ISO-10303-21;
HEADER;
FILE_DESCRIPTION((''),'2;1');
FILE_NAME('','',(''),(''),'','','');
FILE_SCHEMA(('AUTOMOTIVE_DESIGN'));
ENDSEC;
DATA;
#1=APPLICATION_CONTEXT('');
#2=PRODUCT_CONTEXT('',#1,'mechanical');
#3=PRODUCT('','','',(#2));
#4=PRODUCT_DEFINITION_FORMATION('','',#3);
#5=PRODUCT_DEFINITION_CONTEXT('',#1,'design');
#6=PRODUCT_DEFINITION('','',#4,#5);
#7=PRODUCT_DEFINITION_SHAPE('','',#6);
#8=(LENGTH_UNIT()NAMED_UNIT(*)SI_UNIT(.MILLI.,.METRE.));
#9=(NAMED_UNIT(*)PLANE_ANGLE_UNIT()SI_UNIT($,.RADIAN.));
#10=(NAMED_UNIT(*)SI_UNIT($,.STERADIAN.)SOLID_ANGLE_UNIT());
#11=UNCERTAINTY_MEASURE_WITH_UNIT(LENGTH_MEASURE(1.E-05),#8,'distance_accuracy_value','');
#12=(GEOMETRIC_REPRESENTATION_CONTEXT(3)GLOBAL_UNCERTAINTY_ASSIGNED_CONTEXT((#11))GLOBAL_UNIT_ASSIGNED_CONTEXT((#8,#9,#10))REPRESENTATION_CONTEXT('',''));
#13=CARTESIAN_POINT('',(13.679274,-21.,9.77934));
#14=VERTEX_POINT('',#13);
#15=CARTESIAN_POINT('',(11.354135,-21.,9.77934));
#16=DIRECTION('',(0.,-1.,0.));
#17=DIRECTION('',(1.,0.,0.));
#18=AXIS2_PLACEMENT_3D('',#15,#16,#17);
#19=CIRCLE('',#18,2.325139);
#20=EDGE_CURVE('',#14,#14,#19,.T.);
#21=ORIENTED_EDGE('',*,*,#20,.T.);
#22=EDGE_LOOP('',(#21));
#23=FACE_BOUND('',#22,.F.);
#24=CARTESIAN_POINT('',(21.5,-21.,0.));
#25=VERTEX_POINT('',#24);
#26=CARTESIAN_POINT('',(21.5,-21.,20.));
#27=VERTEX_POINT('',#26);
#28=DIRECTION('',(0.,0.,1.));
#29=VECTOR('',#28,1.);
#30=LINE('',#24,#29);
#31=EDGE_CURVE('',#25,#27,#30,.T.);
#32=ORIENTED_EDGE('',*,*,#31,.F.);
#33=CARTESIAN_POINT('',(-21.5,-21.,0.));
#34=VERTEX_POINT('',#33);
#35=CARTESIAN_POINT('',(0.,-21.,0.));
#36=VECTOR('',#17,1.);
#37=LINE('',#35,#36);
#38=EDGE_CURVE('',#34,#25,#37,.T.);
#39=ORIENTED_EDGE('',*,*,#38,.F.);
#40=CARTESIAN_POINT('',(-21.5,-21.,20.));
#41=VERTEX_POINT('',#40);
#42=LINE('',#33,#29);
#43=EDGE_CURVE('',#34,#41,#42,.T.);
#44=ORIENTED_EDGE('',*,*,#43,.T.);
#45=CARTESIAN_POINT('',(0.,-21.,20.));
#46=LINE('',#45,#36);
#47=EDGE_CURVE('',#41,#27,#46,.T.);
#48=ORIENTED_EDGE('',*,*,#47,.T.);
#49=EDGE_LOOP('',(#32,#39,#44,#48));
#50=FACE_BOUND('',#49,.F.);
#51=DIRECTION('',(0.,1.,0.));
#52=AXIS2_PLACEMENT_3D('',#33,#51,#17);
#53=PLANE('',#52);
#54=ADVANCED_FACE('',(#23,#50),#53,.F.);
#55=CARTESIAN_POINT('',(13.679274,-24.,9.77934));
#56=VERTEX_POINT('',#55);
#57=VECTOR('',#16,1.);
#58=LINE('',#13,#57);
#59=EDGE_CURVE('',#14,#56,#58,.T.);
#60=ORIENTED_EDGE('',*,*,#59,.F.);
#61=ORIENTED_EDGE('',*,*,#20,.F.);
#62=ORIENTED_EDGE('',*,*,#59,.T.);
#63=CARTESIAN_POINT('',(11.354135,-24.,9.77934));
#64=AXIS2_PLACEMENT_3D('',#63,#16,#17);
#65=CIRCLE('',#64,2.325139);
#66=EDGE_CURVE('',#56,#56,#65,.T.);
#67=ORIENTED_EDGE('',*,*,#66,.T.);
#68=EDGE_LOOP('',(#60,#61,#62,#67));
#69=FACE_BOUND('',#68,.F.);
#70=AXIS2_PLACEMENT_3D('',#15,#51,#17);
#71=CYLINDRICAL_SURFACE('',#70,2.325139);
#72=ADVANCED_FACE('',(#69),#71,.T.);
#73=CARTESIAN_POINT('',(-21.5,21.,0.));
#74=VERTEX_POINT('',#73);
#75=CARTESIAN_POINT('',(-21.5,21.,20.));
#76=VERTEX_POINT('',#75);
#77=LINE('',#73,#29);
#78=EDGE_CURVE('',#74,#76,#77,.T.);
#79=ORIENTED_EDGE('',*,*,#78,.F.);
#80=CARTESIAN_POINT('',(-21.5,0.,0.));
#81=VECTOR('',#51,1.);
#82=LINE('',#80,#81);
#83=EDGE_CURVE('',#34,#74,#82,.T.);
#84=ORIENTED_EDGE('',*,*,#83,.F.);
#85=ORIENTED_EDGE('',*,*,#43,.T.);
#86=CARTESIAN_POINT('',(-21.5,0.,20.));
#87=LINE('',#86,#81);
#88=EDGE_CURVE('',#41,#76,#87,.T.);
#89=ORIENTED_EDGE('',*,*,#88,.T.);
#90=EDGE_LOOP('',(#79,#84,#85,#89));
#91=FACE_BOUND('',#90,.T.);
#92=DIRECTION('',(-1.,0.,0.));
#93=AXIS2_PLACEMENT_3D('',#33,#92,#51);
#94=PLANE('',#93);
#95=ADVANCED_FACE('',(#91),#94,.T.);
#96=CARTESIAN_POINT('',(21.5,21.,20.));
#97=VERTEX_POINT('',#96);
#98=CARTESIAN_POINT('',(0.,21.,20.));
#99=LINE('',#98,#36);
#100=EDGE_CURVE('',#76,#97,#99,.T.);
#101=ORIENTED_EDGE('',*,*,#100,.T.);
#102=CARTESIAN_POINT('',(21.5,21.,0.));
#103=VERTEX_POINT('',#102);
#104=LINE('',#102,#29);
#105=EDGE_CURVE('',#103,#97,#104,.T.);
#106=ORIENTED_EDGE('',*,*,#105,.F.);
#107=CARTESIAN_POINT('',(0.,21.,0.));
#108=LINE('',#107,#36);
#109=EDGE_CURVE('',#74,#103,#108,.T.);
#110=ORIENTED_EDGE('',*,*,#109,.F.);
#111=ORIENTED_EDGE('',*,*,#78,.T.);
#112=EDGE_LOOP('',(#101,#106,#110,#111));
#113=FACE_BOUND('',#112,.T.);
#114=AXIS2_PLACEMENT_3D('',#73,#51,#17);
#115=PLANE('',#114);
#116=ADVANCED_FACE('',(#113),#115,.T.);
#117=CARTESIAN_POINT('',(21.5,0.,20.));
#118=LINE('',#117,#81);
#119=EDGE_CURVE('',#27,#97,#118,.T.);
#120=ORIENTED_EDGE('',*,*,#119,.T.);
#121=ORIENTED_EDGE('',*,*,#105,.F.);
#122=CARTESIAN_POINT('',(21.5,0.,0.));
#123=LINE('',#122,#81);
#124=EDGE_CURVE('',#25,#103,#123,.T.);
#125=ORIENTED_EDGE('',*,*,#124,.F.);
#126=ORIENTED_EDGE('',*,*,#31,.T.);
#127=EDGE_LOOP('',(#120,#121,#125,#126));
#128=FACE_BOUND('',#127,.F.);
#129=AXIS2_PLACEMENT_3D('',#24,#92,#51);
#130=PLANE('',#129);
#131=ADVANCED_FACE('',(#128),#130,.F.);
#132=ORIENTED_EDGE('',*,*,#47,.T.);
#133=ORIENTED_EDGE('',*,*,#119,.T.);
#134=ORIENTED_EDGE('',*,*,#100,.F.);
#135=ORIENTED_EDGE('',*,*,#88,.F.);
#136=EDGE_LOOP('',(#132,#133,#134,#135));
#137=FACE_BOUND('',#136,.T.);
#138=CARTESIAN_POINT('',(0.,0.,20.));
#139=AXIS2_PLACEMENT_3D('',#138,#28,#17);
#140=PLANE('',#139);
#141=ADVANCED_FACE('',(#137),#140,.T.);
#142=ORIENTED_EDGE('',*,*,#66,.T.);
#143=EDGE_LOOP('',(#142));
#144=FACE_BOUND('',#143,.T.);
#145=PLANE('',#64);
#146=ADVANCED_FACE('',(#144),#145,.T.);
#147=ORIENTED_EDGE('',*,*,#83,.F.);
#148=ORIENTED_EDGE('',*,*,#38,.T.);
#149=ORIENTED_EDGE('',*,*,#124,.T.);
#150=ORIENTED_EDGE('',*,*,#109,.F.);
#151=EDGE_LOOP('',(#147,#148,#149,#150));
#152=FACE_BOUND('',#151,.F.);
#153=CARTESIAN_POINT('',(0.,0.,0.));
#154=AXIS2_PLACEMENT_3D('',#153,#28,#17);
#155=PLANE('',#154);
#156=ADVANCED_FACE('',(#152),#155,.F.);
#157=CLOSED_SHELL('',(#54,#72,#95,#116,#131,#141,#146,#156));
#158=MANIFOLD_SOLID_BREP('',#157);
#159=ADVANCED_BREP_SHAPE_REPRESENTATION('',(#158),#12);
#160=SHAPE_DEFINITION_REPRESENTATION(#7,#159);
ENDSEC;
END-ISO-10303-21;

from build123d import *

# Parameters (mm, degrees)
F0_W     = 43
F0_H     = 42
F1_DEPTH = 20
F2_R     = 2.325139
F3_DEPTH = 3


with BuildPart() as f1:
    # F0 (on Top) → F1 (new body)
    with BuildSketch(Plane.XY):
        Rectangle(F0_W, F0_H)
    extrude(amount=F1_DEPTH)

    # F2 (on face) → F3 (join)
    with BuildSketch(Plane.XZ.offset(21)):
        with Locations((11.354135, 9.77934)):
            Circle(F2_R)
    extrude(amount=F3_DEPTH)


solid = f1.part
